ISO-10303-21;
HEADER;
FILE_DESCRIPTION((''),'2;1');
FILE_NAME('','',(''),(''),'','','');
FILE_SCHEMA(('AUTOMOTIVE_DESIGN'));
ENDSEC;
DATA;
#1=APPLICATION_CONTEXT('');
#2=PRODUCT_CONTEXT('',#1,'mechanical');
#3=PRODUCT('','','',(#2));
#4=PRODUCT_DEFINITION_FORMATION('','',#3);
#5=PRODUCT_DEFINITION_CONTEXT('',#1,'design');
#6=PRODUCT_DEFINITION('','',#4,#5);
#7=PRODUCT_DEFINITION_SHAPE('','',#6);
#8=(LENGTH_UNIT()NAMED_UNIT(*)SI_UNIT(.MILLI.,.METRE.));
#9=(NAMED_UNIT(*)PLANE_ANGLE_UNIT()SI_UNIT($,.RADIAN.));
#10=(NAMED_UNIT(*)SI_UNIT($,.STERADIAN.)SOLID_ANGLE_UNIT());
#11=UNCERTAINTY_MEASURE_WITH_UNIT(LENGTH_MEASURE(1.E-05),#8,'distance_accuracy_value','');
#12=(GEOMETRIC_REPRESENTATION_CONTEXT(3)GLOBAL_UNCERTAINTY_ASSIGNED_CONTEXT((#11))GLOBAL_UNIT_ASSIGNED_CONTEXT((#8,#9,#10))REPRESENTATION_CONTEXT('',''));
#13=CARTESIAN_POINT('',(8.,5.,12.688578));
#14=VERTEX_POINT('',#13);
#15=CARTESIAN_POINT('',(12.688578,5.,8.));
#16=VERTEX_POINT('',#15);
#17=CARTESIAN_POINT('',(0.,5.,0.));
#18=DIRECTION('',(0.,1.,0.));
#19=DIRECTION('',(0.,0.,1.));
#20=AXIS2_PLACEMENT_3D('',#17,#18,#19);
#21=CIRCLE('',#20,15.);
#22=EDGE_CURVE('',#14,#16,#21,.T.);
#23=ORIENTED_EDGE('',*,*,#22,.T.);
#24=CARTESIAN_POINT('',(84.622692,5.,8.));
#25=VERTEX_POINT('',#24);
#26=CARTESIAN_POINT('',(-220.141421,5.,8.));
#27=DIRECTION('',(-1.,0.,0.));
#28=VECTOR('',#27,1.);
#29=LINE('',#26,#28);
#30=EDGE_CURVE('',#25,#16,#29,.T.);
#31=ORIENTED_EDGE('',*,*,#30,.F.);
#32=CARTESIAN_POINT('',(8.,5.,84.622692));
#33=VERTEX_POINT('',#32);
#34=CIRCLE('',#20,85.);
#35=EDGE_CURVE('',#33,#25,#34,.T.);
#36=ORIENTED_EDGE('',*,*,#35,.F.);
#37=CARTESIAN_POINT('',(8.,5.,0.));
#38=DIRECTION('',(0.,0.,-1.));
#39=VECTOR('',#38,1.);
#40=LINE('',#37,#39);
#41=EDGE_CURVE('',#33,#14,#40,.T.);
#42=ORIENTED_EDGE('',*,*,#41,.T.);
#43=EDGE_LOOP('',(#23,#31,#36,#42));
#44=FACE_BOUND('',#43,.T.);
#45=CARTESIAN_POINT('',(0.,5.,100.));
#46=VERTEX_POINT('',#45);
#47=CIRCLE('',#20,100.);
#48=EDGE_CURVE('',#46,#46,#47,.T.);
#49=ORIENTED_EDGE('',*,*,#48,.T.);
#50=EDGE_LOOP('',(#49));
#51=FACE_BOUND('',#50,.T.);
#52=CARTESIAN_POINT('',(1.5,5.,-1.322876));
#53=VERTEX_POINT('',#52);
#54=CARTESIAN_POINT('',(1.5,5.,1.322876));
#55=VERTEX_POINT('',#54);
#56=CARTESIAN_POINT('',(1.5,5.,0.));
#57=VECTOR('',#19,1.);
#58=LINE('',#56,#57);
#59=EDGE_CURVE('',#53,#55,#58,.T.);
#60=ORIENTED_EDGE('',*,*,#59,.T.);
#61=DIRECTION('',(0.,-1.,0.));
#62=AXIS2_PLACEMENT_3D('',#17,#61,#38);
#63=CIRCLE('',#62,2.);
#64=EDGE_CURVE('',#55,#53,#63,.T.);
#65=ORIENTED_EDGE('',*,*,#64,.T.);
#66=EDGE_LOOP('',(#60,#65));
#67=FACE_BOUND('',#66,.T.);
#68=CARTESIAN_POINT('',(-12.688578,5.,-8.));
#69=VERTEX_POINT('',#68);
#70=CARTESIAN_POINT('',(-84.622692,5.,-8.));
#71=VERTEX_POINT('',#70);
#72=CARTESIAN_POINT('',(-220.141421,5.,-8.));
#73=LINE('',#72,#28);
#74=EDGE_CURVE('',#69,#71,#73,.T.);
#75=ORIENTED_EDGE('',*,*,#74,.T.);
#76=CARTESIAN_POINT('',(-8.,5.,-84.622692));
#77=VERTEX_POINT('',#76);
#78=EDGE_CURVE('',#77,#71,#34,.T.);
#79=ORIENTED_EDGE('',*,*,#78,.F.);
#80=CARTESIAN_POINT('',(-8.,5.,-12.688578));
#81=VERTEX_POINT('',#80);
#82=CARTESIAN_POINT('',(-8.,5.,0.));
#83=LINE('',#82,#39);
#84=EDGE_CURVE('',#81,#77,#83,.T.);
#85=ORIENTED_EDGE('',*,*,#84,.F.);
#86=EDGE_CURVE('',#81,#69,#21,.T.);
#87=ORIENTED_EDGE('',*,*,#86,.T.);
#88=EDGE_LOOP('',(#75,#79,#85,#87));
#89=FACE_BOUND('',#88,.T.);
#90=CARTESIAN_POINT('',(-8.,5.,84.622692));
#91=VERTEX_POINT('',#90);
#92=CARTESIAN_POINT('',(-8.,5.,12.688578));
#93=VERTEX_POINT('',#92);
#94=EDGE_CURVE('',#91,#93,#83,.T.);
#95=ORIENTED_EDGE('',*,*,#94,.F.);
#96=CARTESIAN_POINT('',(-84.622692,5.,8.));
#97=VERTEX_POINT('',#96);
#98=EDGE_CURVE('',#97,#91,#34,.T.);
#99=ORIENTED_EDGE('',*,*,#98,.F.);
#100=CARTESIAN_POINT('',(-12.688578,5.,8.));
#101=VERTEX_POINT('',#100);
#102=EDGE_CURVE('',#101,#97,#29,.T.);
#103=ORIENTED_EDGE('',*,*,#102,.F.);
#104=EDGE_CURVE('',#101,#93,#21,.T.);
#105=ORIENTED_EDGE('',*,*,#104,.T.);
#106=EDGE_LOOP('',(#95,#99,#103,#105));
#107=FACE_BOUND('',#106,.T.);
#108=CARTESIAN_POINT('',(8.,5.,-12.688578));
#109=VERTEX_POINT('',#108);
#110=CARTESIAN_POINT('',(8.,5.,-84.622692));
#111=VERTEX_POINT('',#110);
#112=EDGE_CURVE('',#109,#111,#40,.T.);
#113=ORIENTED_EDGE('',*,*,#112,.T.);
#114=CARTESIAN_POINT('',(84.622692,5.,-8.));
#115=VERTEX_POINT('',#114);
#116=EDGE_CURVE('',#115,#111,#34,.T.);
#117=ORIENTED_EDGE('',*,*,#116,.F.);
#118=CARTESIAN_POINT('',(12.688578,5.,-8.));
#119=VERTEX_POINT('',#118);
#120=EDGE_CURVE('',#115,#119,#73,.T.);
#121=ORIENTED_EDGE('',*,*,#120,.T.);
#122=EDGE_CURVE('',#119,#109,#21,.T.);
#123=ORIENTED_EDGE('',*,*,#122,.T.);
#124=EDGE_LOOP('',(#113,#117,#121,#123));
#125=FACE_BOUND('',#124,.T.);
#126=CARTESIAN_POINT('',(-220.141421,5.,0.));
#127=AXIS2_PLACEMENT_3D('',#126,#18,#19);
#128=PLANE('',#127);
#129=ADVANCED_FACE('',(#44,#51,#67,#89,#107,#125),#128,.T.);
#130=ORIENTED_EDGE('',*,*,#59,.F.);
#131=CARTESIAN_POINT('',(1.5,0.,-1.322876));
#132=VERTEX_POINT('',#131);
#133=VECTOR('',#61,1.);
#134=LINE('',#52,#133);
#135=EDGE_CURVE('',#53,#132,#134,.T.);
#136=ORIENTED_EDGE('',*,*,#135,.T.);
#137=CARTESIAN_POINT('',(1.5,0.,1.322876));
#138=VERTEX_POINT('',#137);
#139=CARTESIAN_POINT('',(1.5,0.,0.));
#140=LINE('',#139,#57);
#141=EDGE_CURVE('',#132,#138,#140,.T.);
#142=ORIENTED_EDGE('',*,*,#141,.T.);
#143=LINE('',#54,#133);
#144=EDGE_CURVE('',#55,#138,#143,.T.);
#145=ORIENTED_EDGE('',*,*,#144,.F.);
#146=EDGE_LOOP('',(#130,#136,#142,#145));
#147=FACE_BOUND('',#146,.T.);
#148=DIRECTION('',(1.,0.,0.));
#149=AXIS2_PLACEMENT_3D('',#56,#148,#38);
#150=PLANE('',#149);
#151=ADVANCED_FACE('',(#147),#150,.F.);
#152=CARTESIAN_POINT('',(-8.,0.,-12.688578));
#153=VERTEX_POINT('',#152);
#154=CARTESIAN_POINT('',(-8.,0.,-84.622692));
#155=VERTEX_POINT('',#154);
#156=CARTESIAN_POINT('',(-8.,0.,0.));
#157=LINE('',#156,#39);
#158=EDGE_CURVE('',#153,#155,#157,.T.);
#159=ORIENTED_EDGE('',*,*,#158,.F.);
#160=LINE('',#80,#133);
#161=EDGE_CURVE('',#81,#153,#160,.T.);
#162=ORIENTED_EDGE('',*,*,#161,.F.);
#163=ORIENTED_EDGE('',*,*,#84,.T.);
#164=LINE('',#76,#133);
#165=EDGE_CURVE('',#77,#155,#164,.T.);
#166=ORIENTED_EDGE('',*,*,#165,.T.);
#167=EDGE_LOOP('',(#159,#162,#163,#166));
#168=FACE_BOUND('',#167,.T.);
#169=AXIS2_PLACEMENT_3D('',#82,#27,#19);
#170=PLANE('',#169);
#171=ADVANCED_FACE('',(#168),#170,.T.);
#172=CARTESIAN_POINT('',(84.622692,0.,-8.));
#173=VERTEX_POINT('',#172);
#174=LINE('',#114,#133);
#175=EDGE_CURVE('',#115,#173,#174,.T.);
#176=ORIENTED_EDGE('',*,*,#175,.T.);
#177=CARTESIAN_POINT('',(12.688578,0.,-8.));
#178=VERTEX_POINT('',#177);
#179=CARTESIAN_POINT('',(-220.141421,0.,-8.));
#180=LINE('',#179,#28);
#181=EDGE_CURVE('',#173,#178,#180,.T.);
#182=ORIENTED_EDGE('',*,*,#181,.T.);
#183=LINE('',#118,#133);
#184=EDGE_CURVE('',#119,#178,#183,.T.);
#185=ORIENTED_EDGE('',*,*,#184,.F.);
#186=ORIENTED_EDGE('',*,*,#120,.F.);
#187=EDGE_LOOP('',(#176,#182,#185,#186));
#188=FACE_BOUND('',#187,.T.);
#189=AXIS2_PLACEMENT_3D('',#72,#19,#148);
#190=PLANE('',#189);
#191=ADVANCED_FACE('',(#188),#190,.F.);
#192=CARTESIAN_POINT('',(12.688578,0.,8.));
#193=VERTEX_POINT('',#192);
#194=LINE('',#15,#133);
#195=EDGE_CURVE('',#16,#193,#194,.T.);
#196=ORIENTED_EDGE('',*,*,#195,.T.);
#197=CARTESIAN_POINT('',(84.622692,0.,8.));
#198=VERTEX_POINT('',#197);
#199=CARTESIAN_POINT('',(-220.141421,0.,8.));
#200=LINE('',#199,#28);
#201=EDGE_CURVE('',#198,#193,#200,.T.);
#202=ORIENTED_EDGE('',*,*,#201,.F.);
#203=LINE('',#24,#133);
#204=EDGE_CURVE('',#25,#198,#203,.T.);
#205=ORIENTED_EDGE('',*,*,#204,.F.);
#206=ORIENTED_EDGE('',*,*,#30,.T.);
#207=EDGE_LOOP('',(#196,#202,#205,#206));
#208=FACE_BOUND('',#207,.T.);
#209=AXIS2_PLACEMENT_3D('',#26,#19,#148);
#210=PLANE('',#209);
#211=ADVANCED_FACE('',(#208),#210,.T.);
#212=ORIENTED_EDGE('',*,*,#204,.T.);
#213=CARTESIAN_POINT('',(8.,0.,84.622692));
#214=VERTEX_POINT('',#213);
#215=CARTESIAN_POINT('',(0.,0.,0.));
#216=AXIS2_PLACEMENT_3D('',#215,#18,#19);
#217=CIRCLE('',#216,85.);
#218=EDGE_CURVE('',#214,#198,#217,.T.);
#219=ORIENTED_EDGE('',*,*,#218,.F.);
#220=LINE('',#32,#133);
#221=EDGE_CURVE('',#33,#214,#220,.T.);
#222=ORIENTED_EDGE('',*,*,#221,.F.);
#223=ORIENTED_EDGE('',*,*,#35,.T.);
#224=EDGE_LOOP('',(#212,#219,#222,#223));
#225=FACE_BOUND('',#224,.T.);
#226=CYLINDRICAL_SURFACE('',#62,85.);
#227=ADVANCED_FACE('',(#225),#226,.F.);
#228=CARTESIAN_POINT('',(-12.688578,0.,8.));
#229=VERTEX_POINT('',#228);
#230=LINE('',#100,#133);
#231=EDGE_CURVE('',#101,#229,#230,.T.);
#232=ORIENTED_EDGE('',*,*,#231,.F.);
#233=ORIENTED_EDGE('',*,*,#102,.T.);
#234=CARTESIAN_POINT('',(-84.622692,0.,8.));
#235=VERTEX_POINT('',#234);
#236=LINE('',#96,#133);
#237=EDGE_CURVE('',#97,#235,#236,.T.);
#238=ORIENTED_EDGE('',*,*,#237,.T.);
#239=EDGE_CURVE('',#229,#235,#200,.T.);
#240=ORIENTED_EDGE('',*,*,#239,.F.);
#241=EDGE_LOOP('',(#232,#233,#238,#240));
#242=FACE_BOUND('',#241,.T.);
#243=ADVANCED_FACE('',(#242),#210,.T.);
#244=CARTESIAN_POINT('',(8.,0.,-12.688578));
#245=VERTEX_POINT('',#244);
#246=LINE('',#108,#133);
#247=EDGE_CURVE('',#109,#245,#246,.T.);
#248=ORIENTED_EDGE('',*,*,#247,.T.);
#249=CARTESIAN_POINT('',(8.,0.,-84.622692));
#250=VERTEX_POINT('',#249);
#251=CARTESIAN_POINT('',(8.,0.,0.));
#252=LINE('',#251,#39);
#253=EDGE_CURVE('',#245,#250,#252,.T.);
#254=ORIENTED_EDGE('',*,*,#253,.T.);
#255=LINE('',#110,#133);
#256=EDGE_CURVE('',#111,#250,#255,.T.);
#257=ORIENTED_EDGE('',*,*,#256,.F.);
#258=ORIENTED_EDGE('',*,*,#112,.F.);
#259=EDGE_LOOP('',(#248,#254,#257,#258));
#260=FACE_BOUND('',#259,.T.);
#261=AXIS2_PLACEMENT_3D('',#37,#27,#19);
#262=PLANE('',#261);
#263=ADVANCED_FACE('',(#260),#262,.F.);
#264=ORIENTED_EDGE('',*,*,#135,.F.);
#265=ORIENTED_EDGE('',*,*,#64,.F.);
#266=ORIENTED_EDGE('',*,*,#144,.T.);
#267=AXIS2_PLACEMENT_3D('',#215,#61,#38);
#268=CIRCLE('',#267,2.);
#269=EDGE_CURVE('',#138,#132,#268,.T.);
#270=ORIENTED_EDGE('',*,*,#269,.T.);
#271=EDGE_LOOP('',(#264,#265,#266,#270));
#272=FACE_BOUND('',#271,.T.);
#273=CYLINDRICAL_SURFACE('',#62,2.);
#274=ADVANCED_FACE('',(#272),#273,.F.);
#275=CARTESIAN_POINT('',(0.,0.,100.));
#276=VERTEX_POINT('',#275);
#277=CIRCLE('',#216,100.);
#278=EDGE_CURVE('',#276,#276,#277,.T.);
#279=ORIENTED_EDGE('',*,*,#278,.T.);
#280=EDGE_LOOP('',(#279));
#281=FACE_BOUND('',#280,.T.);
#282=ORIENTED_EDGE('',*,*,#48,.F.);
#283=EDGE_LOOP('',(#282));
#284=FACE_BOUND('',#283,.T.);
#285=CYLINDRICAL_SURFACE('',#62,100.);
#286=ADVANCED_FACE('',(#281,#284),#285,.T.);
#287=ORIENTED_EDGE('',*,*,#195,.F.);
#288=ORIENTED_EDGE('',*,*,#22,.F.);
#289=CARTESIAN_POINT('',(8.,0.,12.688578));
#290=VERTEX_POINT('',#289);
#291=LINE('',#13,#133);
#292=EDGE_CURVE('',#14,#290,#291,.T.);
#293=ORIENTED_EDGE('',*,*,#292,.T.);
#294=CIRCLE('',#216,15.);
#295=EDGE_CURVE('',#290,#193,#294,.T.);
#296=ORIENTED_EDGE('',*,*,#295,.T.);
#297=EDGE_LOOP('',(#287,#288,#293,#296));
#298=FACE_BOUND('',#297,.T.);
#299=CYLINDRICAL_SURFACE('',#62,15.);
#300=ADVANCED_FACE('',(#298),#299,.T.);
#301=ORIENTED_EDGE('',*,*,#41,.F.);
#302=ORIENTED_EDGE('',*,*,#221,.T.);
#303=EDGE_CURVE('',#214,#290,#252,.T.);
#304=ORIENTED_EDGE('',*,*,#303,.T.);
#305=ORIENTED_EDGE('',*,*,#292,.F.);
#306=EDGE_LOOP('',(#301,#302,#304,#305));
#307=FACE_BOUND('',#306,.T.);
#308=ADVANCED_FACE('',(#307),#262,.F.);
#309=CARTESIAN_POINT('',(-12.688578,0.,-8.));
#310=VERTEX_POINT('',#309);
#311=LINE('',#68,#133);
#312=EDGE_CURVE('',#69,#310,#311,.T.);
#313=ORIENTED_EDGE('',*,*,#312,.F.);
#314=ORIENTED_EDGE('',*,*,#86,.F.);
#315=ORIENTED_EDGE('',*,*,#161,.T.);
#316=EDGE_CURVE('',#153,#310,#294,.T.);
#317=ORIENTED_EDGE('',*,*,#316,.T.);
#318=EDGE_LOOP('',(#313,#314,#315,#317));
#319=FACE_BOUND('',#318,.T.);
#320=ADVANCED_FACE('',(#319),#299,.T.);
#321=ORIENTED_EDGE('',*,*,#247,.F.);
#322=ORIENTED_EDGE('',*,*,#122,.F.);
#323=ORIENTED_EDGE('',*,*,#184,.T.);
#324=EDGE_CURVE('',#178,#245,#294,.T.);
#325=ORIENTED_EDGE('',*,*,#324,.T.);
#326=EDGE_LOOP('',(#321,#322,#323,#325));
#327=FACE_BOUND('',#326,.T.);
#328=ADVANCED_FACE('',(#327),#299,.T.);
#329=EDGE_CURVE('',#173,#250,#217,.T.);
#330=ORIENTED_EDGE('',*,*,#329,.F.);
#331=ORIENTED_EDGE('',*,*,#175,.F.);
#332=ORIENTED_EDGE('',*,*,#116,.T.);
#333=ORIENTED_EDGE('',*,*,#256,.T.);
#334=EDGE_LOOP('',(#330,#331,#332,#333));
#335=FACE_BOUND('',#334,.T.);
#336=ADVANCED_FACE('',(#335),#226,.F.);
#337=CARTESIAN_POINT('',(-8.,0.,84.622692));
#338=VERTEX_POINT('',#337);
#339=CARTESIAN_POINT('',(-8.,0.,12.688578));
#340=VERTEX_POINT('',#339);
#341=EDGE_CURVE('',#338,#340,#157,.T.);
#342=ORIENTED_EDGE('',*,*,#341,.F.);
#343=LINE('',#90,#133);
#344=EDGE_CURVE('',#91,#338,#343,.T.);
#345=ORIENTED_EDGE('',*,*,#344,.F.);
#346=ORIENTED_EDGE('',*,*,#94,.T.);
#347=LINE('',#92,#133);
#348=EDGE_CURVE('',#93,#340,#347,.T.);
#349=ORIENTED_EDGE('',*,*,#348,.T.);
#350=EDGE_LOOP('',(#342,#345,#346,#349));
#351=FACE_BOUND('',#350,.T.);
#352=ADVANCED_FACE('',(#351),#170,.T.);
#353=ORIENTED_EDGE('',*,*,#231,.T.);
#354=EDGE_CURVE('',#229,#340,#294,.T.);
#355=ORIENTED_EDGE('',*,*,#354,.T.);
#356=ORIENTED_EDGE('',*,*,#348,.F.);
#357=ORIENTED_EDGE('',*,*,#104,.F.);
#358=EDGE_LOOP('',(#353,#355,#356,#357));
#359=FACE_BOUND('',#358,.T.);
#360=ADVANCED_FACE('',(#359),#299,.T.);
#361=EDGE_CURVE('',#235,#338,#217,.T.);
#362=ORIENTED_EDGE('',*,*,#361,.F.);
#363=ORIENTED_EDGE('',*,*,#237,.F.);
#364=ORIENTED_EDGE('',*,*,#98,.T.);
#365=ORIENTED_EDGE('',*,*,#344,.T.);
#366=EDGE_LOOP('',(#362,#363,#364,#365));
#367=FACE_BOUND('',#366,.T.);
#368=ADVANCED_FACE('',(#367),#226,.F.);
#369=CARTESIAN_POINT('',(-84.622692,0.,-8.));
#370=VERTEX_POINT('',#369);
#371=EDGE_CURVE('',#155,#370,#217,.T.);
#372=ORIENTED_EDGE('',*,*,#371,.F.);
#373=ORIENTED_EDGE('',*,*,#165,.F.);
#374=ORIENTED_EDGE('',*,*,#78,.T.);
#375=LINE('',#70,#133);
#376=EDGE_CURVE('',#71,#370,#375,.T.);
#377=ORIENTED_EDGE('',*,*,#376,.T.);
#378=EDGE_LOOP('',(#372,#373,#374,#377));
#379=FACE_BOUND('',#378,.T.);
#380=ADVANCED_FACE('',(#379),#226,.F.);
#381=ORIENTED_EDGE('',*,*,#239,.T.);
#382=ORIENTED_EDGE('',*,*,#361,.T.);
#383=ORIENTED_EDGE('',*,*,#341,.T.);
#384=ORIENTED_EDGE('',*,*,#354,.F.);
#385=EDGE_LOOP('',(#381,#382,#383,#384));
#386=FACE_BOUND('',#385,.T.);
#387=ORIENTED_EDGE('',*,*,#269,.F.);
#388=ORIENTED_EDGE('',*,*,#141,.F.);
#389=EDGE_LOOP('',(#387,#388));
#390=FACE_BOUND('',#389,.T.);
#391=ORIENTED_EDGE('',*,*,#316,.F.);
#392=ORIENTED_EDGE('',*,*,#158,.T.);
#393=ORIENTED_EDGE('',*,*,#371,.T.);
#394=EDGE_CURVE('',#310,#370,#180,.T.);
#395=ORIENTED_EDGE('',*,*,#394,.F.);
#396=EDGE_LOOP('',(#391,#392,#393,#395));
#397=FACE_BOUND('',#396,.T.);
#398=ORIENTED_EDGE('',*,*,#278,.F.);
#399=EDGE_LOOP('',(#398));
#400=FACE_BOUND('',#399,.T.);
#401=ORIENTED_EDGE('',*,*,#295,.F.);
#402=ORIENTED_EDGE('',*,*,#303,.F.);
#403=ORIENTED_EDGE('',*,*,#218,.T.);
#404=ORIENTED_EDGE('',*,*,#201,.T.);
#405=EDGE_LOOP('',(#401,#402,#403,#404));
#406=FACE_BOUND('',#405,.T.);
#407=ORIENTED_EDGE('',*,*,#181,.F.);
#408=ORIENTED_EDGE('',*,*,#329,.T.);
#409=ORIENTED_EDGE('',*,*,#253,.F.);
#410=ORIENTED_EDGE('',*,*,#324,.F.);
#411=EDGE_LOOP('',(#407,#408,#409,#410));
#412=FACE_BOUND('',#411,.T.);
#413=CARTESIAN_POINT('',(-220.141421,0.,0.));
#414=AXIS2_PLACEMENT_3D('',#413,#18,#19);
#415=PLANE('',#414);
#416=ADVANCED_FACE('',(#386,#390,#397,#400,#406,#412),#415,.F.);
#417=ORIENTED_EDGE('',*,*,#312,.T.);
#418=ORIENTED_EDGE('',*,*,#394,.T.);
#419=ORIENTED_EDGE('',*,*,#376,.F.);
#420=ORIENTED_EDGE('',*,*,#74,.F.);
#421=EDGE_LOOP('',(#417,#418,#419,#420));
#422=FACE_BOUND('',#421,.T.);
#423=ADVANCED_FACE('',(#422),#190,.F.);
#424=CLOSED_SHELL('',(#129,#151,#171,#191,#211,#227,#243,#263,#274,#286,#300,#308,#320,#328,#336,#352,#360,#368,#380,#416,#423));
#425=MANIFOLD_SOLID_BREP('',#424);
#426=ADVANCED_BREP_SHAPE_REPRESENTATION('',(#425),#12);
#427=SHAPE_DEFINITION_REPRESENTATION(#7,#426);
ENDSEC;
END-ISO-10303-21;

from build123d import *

# Parameters (mm, degrees)
SKETCH2_R           = 100
BOSS_EXTRUDE1_DEPTH = 5
CUT_EXTRUDE2_DEPTH  = 5


with BuildPart() as part:
    # Sketch2 → Boss-Extrude1 (new body)
    with BuildSketch(Plane(origin=(0, 0, 0), x_dir=(1, 0, 0), z_dir=(0, 1, 0))):
        Circle(SKETCH2_R)
        with BuildLine():
            Line((-8, -12.68857754), (-8, -84.622691992))
            ThreePointArc((-8, -84.622691992), (-60.104076401, -60.104076401), (-84.622691992, -8))
            Line((-84.622691992, -8), (-12.68857754, -8))
            ThreePointArc((-12.68857754, -8), (-10.606601718, -10.606601718), (-8, -12.68857754))
        make_face(mode=Mode.SUBTRACT)
        with BuildLine():
            Line((12.68857754, -8), (84.622691992, -8))
            ThreePointArc((84.622691992, -8), (60.104076401, -60.104076401), (8, -84.622691992))
            Line((8, -84.622691992), (8, -12.68857754))
            ThreePointArc((8, -12.68857754), (10.606601718, -10.606601718), (12.68857754, -8))
        make_face(mode=Mode.SUBTRACT)
        with BuildLine():
            Line((-8, 84.622691992), (-8, 12.68857754))
            ThreePointArc((-8, 12.68857754), (-10.606601718, 10.606601718), (-12.68857754, 8))
            Line((-12.68857754, 8), (-84.622691992, 8))
            ThreePointArc((-84.622691992, 8), (-60.104076401, 60.104076401), (-8, 84.622691992))
        make_face(mode=Mode.SUBTRACT)
        with BuildLine():
            ThreePointArc((8, 84.622691992), (60.104076401, 60.104076401), (84.622691992, 8))
            Line((84.622691992, 8), (12.68857754, 8))
            ThreePointArc((12.68857754, 8), (10.606601718, 10.606601718), (8, 12.68857754))
            Line((8, 12.68857754), (8, 84.622691992))
        make_face(mode=Mode.SUBTRACT)
    extrude(amount=BOSS_EXTRUDE1_DEPTH)

    # Sketch3 → Cut-Extrude2 (cut)
    with BuildSketch(Plane.XZ):
        with BuildLine():
            Line((1.5, 0), (1.5, -1.322875656))
            ThreePointArc((1.5, -1.322875656), (-2, 0), (1.5, 1.322875656))
            Line((1.5, 1.322875656), (1.5, 0))
        make_face()
    extrude(amount=-CUT_EXTRUDE2_DEPTH, mode=Mode.SUBTRACT)


solid = part.part
